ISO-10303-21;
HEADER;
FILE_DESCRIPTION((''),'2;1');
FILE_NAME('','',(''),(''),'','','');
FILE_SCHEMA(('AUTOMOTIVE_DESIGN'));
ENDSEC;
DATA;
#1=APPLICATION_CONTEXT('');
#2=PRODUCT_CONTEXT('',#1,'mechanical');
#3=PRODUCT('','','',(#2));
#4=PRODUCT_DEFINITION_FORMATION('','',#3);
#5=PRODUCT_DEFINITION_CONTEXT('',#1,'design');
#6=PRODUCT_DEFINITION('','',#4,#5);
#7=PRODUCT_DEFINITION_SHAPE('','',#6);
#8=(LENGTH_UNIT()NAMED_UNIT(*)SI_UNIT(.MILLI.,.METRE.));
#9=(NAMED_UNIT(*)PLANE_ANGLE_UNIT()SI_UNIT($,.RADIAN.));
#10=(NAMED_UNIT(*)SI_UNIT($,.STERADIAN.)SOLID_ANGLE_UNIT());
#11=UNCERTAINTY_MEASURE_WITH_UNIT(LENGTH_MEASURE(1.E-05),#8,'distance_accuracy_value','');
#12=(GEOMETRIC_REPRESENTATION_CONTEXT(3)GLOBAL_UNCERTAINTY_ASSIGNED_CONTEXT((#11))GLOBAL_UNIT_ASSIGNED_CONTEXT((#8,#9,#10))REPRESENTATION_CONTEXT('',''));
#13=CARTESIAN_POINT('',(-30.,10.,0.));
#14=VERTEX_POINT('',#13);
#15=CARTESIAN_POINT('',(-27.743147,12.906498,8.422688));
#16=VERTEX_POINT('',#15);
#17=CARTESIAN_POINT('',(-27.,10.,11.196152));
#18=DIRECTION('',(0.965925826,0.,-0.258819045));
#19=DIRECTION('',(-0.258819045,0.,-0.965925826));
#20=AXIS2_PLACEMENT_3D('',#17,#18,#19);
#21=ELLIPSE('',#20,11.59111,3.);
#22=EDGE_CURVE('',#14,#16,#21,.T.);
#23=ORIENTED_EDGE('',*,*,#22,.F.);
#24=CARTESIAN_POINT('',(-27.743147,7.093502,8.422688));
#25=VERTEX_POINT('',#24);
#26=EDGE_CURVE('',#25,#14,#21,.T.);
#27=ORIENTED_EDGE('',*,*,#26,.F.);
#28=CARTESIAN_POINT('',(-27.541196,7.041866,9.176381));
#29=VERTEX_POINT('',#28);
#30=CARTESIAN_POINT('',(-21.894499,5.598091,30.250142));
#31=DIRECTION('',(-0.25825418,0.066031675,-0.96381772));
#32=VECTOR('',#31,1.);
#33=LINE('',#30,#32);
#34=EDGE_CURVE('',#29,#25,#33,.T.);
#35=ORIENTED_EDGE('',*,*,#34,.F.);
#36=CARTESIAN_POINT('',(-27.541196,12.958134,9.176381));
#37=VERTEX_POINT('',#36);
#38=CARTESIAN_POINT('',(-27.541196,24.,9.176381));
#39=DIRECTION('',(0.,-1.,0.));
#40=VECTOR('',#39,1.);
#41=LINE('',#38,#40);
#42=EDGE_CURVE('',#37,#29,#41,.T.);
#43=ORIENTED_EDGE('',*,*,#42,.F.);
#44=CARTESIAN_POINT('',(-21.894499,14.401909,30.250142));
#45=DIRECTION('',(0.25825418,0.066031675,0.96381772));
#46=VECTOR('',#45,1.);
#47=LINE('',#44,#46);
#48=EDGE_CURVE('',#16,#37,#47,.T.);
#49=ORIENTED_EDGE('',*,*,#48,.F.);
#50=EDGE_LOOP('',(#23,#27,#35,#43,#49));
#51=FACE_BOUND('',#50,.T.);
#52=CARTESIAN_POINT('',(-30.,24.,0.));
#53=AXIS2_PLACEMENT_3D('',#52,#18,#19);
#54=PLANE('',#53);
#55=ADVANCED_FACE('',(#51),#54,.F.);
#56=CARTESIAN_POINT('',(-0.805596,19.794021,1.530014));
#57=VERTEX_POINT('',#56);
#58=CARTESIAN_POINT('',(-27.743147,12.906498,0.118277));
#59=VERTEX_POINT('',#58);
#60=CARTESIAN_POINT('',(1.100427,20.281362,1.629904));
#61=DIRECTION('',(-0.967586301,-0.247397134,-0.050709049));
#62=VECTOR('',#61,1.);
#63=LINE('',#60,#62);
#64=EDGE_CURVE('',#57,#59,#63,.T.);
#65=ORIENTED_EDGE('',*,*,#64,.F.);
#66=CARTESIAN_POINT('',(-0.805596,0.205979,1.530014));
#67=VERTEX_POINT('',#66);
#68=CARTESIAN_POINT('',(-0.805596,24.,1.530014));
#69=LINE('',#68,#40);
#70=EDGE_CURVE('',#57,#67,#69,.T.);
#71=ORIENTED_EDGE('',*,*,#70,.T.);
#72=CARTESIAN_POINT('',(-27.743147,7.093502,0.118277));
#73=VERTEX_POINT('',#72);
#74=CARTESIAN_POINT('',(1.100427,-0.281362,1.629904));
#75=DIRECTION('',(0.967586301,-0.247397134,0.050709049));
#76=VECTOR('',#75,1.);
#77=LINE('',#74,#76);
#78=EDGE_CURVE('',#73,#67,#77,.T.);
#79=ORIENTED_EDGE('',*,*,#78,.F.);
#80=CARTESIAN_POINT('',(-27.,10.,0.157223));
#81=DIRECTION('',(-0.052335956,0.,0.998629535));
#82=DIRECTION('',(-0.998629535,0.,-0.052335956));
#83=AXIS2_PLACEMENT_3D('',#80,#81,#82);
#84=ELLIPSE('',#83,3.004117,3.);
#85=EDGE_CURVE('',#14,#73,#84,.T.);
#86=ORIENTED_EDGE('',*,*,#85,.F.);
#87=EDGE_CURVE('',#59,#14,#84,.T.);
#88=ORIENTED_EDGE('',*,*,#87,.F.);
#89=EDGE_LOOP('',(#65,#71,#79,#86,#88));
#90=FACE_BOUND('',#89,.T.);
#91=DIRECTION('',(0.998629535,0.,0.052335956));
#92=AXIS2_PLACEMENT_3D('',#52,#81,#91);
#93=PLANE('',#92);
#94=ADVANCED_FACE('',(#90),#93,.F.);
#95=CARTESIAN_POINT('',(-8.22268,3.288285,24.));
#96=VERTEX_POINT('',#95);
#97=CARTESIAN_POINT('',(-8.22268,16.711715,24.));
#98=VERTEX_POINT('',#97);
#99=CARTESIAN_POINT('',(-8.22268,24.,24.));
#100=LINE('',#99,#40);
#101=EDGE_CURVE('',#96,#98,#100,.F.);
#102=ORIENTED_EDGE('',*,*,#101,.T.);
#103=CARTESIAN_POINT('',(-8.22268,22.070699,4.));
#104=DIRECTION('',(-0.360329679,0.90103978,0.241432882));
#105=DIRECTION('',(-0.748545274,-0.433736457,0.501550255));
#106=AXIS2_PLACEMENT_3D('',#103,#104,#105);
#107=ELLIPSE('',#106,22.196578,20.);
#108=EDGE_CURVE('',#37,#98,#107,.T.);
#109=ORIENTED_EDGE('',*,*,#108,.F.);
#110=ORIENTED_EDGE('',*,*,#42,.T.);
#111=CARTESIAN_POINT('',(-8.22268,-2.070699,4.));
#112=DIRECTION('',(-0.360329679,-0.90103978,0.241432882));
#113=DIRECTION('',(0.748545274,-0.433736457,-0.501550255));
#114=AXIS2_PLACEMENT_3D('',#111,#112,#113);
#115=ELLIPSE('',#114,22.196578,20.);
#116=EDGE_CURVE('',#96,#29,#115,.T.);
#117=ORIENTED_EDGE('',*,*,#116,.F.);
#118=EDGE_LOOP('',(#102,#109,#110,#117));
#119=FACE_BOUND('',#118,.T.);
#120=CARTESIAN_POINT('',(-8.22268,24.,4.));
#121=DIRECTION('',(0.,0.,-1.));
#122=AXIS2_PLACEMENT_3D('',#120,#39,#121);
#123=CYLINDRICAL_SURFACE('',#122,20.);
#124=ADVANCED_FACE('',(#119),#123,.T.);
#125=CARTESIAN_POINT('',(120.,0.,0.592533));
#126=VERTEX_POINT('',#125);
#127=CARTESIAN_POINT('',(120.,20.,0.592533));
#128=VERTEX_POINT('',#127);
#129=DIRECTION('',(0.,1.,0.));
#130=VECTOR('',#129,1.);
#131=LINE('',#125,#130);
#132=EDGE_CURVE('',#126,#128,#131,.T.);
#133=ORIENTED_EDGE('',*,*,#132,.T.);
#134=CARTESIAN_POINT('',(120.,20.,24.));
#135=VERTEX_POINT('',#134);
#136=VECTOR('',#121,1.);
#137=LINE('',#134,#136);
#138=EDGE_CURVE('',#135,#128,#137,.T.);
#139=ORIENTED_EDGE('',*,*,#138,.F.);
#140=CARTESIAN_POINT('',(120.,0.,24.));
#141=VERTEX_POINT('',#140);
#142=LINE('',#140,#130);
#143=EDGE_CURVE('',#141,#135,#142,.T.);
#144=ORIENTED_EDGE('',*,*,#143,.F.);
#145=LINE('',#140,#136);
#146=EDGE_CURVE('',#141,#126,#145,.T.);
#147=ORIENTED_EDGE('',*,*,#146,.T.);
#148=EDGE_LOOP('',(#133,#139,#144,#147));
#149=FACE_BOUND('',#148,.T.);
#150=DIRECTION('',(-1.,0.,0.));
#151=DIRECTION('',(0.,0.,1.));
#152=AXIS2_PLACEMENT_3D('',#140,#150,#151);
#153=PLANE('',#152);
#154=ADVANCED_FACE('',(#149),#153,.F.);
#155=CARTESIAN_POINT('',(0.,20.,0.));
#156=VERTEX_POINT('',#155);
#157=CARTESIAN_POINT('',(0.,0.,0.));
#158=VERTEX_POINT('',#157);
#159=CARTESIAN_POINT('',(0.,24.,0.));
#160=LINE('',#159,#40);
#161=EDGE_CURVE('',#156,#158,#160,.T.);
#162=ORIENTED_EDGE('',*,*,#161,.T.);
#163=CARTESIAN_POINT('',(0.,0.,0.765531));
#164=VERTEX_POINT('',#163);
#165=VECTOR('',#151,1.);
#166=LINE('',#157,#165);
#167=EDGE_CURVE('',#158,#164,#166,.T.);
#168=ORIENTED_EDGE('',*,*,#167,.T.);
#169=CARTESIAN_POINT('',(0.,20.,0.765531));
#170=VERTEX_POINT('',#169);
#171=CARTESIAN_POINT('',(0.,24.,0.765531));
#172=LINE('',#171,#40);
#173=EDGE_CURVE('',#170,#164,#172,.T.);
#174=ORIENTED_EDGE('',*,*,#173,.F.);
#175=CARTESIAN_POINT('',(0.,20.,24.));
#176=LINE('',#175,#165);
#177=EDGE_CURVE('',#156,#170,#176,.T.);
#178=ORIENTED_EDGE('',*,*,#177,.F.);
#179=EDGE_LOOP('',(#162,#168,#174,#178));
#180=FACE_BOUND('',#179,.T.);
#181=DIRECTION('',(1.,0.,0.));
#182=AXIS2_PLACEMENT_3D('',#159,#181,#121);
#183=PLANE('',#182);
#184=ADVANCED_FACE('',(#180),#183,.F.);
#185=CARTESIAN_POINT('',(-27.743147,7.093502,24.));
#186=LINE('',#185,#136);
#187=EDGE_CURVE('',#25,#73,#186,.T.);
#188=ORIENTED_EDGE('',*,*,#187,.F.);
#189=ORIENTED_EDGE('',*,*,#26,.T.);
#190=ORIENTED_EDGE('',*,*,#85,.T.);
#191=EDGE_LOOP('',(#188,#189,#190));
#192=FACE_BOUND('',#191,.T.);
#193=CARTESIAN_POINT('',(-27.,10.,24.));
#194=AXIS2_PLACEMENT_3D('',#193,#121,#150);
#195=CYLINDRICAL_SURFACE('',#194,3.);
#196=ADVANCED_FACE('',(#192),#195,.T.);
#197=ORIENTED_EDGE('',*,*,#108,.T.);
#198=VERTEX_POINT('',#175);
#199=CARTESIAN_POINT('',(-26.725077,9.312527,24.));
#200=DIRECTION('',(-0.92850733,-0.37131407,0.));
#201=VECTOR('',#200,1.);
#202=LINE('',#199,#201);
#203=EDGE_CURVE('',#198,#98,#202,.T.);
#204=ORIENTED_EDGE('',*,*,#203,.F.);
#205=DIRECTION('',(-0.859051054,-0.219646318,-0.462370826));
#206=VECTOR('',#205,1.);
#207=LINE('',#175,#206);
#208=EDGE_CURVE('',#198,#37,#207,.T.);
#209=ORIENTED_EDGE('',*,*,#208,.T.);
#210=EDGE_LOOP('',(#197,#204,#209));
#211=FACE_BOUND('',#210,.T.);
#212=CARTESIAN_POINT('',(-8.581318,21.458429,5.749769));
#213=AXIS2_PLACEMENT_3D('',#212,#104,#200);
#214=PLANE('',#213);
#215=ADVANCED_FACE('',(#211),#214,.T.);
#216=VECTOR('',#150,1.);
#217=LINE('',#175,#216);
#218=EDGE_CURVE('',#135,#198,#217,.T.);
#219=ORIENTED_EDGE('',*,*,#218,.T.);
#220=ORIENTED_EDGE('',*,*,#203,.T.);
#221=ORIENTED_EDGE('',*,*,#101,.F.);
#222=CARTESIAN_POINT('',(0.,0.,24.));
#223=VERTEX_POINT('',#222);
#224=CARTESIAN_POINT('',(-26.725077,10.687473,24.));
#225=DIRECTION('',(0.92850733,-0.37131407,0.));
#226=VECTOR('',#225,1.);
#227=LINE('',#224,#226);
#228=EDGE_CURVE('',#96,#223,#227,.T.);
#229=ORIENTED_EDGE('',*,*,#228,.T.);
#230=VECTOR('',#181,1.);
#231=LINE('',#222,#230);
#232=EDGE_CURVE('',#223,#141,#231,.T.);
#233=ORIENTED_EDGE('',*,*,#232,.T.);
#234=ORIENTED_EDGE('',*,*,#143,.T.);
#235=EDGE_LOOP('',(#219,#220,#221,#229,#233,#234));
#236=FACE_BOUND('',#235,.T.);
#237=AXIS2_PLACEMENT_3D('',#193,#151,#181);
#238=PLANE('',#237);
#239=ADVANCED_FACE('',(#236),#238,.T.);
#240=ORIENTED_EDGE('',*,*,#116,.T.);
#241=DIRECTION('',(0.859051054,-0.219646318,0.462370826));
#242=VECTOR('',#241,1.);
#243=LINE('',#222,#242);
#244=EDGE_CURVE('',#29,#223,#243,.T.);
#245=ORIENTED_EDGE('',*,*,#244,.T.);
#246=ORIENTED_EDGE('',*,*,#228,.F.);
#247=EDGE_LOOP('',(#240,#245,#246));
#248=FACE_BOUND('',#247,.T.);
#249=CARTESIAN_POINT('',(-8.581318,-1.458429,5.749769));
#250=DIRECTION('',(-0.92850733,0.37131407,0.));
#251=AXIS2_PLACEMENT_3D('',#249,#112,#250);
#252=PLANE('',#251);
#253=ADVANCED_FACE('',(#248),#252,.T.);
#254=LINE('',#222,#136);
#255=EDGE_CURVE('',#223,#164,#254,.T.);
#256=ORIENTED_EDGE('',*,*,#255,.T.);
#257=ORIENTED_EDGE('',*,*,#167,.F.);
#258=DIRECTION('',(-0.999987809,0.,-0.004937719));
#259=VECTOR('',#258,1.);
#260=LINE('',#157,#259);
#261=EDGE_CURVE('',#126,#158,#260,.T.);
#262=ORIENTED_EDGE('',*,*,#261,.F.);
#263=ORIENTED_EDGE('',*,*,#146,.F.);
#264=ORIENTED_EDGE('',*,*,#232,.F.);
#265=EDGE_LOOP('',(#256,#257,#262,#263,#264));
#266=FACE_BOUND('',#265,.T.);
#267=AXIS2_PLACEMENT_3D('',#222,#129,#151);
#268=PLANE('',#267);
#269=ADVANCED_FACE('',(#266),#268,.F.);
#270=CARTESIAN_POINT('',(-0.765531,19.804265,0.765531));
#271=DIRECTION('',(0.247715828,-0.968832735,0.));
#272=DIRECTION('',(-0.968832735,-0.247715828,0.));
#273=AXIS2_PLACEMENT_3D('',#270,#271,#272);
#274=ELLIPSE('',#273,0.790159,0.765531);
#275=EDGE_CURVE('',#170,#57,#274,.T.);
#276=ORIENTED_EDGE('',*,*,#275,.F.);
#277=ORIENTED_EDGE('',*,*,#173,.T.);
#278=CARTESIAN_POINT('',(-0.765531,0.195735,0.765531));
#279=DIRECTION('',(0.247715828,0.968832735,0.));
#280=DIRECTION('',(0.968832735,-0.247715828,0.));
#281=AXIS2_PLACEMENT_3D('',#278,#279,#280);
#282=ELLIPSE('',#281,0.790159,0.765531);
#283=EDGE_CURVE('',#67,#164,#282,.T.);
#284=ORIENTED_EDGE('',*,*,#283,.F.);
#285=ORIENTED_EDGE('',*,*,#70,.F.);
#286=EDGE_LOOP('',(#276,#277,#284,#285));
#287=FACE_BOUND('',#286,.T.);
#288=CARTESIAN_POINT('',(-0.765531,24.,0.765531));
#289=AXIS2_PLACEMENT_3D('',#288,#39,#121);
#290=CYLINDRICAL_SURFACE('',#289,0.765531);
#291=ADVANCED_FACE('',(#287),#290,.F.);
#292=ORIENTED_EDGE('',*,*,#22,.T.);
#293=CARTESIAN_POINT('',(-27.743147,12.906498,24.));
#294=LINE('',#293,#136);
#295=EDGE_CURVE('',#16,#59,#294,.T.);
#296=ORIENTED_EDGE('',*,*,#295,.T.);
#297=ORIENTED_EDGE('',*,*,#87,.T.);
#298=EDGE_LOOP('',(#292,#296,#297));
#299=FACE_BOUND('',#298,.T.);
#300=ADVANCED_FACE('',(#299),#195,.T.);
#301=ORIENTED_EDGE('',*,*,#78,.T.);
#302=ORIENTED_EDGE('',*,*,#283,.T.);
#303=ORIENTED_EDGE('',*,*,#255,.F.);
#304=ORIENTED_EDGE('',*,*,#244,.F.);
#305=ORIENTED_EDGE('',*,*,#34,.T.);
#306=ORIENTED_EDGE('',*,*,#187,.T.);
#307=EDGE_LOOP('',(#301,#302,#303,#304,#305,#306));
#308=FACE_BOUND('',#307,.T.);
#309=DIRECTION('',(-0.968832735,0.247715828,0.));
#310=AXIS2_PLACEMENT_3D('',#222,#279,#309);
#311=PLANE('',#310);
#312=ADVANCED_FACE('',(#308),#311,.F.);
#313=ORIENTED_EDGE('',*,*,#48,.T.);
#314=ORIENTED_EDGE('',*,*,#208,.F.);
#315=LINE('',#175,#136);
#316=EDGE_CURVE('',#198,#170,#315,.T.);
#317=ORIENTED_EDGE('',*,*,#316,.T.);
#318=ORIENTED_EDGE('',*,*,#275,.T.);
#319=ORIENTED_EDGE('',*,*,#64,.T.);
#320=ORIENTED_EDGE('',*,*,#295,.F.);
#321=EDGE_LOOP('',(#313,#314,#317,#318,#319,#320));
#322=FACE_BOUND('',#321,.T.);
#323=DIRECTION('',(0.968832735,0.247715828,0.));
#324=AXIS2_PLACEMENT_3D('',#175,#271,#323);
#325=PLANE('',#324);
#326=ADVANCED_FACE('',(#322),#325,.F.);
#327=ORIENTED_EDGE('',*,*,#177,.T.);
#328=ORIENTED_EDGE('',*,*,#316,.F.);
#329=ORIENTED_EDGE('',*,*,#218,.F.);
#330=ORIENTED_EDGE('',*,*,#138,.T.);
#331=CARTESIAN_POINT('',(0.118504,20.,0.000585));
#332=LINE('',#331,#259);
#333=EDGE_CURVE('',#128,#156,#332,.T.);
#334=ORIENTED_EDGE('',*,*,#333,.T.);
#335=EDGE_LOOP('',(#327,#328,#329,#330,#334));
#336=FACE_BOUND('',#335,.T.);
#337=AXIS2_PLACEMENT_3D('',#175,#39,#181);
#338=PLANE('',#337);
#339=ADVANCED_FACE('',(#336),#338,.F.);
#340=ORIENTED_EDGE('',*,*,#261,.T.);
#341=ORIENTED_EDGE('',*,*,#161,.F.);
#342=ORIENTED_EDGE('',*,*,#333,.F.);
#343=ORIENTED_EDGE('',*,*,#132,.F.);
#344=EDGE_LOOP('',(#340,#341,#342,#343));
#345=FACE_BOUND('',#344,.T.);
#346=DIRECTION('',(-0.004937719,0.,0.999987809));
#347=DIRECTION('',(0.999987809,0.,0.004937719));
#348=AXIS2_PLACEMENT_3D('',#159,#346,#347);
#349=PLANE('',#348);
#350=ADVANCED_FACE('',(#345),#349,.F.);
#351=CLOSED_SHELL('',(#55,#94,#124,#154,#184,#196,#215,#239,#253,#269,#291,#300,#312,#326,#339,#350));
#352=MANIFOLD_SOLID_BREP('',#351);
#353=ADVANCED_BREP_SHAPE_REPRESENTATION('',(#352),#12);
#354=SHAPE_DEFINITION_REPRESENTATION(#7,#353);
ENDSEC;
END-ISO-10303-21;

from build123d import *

# Parameters (mm, degrees)
EXTRUDE_1_DEPTH     = 24
SKETCH_2_OUTSIDE_W  = 182.644
SKETCH_2_OUTSIDE_H  = 56.644
CUT_EXTRUDE_1_DEPTH = 24
SKETCH_6_W          = 43.637196822
SKETCH_6_H          = 35.300538325
CUT_EXTRUDE_2_DEPTH = 24


with BuildPart() as part:
    # Эскиз1 → Бобышка-Вытянуть1 (new body)
    with BuildSketch(Plane.XY):
        with BuildLine():
            Line((0, 0), (120, 0))
            Line((120, 0), (120, 20))
            Line((120, 20), (0, 20))
            Line((0, 20), (-27.743147483, 12.906498205))
            ThreePointArc((-27.743147483, 12.906498205), (-30, 10), (-27.743147483, 7.093501795))
            Line((-27.743147483, 7.093501795), (0, 0))
        make_face()
    extrude(amount=EXTRUDE_1_DEPTH)

    # Эскиз2 outside → Вырез-Вытянуть1 (cut)
    with BuildSketch(Plane(origin=(0, 0, 0), x_dir=(1, 0, 0), z_dir=(0, 1, 0))):
        with Locations((45, -12)):
            Rectangle(SKETCH_2_OUTSIDE_W, SKETCH_2_OUTSIDE_H)
        with BuildLine():
            Line((-30, 0), (-27.541196148, -9.176380902))
            ThreePointArc((-27.541196148, -9.176380902), (-20.397908202, -19.867066806), (-8.222679622, -24))
            Line((-8.222679622, -24), (0, -24))
            Line((0, -24), (155.035600822, -24))
            Line((155.035600822, -24), (155.035600822, -0.765531499))
            Line((155.035600822, -0.765531499), (0, 0))
            Line((0, 0), (0, -0.765531499))
            ThreePointArc((0, -0.765531499), (-0.238574389, -1.320828429), (-0.805596322, -1.530013864))
            Line((-0.805596322, -1.530013864), (-30, 0))
        make_face(mode=Mode.SUBTRACT)
    extrude(amount=CUT_EXTRUDE_1_DEPTH, mode=Mode.SUBTRACT)

    # Эскиз6 → Вырез-Вытянуть2 (cut)
    with BuildSketch(Plane(origin=(-8.581317892, 21.458428849, 5.749768681), x_dir=(0.9328250222338894, 0.34805174336163447, 0.09326018355799502), z_dir=(-0.36032967945250355, 0.9010397803843876, 0.24143288150231465))):
        with Locations((-5.019191461, -7.289608273)):
            Rectangle(SKETCH_6_W, SKETCH_6_H)
    cut_extrude_2 = extrude(amount=CUT_EXTRUDE_2_DEPTH, mode=Mode.SUBTRACT)

    # Зеркальное отражение1: Вырез-Вытянуть2 across plane
    add(cut_extrude_2.mirror(Plane(origin=(0, 10, 0), x_dir=(0, 0, 1), z_dir=(0, -1, 0))), mode=Mode.SUBTRACT)


solid = part.part
